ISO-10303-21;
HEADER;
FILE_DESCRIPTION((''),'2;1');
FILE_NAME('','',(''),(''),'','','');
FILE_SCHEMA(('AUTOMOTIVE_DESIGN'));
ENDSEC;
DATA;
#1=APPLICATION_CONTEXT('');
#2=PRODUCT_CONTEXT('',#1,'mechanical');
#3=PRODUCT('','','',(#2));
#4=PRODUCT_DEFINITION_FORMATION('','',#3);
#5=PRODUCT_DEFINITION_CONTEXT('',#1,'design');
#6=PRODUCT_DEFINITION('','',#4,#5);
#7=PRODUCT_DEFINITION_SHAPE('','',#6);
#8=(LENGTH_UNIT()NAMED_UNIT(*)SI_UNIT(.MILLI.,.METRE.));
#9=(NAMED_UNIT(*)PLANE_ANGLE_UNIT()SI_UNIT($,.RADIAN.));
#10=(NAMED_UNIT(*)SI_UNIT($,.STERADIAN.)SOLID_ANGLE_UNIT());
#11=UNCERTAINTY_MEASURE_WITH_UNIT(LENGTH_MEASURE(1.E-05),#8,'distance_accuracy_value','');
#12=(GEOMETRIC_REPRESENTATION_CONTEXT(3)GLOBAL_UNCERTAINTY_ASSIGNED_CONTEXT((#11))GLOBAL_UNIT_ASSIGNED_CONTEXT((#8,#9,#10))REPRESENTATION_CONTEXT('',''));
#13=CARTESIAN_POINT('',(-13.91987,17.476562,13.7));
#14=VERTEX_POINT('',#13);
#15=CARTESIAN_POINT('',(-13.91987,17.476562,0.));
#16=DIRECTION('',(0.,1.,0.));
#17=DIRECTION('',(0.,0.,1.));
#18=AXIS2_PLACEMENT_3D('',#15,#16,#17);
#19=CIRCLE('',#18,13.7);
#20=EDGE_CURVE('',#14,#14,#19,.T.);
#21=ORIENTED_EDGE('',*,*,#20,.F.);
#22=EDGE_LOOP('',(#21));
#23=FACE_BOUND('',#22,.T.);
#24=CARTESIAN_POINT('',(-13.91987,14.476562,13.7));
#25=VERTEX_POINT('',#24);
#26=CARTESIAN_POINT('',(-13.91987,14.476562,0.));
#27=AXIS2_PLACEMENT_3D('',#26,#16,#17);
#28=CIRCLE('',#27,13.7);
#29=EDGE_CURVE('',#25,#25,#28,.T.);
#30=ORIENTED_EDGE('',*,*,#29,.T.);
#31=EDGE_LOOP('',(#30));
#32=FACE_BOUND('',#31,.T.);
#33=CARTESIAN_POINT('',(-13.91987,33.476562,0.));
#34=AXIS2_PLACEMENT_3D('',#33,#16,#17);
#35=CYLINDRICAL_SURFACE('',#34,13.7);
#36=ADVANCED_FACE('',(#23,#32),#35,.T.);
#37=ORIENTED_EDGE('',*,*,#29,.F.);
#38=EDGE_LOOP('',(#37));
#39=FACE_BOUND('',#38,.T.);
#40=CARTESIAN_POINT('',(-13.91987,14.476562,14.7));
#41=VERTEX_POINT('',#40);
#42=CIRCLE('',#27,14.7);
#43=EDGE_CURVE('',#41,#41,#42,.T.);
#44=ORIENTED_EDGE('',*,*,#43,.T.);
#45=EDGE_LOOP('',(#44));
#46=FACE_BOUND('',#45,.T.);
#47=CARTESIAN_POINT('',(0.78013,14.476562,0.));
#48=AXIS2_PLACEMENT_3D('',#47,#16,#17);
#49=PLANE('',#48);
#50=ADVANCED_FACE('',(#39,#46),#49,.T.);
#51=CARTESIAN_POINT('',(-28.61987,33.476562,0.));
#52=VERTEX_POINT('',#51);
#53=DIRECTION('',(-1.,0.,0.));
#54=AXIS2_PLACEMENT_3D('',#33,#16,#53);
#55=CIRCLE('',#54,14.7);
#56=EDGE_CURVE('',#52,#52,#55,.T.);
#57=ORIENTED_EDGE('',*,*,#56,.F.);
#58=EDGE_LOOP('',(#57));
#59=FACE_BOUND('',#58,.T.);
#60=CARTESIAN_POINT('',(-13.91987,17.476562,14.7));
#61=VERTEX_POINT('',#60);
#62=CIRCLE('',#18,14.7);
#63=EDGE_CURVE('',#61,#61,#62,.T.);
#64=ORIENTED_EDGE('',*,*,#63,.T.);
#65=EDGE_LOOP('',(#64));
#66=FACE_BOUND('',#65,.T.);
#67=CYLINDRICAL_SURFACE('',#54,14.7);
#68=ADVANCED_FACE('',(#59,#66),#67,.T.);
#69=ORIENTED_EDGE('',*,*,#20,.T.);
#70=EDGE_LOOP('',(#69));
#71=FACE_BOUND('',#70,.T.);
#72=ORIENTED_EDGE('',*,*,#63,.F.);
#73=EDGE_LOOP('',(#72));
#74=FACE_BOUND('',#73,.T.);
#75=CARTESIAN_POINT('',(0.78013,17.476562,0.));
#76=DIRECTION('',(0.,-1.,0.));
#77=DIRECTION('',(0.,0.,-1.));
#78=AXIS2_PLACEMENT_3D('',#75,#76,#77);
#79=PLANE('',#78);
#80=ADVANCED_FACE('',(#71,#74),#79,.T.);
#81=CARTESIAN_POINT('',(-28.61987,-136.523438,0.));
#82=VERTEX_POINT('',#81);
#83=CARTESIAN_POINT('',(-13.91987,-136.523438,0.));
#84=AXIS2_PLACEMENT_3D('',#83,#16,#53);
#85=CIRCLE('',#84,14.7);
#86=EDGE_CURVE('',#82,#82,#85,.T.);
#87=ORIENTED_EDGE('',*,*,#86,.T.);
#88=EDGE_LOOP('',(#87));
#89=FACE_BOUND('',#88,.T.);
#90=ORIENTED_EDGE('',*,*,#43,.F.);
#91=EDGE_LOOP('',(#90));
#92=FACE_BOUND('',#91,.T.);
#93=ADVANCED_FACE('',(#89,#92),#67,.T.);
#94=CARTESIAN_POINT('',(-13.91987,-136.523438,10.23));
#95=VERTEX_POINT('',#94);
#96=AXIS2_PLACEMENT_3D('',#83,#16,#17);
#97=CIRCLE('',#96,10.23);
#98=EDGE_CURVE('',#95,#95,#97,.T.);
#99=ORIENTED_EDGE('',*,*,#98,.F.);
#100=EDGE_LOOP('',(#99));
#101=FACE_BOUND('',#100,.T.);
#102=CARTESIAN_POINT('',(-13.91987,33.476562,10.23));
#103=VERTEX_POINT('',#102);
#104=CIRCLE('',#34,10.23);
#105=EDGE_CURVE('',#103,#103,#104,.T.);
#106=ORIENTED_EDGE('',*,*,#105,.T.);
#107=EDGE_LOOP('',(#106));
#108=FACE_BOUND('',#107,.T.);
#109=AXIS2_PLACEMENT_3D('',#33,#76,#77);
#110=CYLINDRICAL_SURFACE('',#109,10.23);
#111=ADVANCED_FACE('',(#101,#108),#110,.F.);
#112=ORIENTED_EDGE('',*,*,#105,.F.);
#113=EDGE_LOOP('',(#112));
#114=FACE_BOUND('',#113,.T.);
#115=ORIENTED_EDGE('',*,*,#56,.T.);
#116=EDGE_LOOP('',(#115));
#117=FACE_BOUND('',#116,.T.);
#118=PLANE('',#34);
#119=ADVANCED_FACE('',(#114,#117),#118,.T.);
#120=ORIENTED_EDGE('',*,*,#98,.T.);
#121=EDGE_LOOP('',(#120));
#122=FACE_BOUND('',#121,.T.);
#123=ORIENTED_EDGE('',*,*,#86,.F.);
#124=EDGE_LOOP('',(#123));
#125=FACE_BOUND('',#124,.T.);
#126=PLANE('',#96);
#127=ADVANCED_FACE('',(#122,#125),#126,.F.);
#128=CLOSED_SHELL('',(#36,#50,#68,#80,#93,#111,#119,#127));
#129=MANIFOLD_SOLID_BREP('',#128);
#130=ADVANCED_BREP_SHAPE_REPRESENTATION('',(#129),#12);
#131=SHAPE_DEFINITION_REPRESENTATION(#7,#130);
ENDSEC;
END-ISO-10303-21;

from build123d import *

# Parameters (mm, degrees)
SKETCH12_R                 = 16
SKETCH12_R_2               = 10.23
MIEMBRO_ESTRUCTURAL1_DEPTH = 170
CROQUIS2_W                 = 15.159083904
CROQUIS2_H                 = 170
CROQUIS3_W                 = 1
CROQUIS3_H                 = 3


with BuildPart() as part:
    # Sketch12 → Miembro estructural1 (new body)
    with BuildSketch(Plane(origin=(-13.919870477, -136.5234375, 0), x_dir=(-1, 0, 0), z_dir=(0, 1, 0))):
        Circle(SKETCH12_R)
        Circle(SKETCH12_R_2, mode=Mode.SUBTRACT)
    extrude(amount=MIEMBRO_ESTRUCTURAL1_DEPTH)

    # Croquis2 → Cortar-Revolución1 (revolve, cut)
    with BuildSketch(Plane.XY, mode=Mode.PRIVATE) as cortar_revoluci_n1_sk:
        with Locations((8.359671475, -51.5234375)):
            Rectangle(CROQUIS2_W, CROQUIS2_H)
    revolve(cortar_revoluci_n1_sk.sketch.rotate(Axis((-13.919870477, 33.4765625, 0), (0, -1, 0)), 90), axis=Axis((-13.919870477, 33.4765625, 0), (0, -1, 0)), mode=Mode.SUBTRACT)

    # Croquis3 → Cortar-Revolución2 (revolve, cut)
    with BuildSketch(Plane.XY, mode=Mode.PRIVATE) as cortar_revoluci_n2_sk:
        with Locations((0.280129523, 15.9765625)):
            Rectangle(CROQUIS3_W, CROQUIS3_H)
    revolve(cortar_revoluci_n2_sk.sketch.rotate(Axis((-13.919870477, 33.4765625, 0), (0, -1, 0)), 180), axis=Axis((-13.919870477, 33.4765625, 0), (0, -1, 0)), mode=Mode.SUBTRACT)


solid = part.part
